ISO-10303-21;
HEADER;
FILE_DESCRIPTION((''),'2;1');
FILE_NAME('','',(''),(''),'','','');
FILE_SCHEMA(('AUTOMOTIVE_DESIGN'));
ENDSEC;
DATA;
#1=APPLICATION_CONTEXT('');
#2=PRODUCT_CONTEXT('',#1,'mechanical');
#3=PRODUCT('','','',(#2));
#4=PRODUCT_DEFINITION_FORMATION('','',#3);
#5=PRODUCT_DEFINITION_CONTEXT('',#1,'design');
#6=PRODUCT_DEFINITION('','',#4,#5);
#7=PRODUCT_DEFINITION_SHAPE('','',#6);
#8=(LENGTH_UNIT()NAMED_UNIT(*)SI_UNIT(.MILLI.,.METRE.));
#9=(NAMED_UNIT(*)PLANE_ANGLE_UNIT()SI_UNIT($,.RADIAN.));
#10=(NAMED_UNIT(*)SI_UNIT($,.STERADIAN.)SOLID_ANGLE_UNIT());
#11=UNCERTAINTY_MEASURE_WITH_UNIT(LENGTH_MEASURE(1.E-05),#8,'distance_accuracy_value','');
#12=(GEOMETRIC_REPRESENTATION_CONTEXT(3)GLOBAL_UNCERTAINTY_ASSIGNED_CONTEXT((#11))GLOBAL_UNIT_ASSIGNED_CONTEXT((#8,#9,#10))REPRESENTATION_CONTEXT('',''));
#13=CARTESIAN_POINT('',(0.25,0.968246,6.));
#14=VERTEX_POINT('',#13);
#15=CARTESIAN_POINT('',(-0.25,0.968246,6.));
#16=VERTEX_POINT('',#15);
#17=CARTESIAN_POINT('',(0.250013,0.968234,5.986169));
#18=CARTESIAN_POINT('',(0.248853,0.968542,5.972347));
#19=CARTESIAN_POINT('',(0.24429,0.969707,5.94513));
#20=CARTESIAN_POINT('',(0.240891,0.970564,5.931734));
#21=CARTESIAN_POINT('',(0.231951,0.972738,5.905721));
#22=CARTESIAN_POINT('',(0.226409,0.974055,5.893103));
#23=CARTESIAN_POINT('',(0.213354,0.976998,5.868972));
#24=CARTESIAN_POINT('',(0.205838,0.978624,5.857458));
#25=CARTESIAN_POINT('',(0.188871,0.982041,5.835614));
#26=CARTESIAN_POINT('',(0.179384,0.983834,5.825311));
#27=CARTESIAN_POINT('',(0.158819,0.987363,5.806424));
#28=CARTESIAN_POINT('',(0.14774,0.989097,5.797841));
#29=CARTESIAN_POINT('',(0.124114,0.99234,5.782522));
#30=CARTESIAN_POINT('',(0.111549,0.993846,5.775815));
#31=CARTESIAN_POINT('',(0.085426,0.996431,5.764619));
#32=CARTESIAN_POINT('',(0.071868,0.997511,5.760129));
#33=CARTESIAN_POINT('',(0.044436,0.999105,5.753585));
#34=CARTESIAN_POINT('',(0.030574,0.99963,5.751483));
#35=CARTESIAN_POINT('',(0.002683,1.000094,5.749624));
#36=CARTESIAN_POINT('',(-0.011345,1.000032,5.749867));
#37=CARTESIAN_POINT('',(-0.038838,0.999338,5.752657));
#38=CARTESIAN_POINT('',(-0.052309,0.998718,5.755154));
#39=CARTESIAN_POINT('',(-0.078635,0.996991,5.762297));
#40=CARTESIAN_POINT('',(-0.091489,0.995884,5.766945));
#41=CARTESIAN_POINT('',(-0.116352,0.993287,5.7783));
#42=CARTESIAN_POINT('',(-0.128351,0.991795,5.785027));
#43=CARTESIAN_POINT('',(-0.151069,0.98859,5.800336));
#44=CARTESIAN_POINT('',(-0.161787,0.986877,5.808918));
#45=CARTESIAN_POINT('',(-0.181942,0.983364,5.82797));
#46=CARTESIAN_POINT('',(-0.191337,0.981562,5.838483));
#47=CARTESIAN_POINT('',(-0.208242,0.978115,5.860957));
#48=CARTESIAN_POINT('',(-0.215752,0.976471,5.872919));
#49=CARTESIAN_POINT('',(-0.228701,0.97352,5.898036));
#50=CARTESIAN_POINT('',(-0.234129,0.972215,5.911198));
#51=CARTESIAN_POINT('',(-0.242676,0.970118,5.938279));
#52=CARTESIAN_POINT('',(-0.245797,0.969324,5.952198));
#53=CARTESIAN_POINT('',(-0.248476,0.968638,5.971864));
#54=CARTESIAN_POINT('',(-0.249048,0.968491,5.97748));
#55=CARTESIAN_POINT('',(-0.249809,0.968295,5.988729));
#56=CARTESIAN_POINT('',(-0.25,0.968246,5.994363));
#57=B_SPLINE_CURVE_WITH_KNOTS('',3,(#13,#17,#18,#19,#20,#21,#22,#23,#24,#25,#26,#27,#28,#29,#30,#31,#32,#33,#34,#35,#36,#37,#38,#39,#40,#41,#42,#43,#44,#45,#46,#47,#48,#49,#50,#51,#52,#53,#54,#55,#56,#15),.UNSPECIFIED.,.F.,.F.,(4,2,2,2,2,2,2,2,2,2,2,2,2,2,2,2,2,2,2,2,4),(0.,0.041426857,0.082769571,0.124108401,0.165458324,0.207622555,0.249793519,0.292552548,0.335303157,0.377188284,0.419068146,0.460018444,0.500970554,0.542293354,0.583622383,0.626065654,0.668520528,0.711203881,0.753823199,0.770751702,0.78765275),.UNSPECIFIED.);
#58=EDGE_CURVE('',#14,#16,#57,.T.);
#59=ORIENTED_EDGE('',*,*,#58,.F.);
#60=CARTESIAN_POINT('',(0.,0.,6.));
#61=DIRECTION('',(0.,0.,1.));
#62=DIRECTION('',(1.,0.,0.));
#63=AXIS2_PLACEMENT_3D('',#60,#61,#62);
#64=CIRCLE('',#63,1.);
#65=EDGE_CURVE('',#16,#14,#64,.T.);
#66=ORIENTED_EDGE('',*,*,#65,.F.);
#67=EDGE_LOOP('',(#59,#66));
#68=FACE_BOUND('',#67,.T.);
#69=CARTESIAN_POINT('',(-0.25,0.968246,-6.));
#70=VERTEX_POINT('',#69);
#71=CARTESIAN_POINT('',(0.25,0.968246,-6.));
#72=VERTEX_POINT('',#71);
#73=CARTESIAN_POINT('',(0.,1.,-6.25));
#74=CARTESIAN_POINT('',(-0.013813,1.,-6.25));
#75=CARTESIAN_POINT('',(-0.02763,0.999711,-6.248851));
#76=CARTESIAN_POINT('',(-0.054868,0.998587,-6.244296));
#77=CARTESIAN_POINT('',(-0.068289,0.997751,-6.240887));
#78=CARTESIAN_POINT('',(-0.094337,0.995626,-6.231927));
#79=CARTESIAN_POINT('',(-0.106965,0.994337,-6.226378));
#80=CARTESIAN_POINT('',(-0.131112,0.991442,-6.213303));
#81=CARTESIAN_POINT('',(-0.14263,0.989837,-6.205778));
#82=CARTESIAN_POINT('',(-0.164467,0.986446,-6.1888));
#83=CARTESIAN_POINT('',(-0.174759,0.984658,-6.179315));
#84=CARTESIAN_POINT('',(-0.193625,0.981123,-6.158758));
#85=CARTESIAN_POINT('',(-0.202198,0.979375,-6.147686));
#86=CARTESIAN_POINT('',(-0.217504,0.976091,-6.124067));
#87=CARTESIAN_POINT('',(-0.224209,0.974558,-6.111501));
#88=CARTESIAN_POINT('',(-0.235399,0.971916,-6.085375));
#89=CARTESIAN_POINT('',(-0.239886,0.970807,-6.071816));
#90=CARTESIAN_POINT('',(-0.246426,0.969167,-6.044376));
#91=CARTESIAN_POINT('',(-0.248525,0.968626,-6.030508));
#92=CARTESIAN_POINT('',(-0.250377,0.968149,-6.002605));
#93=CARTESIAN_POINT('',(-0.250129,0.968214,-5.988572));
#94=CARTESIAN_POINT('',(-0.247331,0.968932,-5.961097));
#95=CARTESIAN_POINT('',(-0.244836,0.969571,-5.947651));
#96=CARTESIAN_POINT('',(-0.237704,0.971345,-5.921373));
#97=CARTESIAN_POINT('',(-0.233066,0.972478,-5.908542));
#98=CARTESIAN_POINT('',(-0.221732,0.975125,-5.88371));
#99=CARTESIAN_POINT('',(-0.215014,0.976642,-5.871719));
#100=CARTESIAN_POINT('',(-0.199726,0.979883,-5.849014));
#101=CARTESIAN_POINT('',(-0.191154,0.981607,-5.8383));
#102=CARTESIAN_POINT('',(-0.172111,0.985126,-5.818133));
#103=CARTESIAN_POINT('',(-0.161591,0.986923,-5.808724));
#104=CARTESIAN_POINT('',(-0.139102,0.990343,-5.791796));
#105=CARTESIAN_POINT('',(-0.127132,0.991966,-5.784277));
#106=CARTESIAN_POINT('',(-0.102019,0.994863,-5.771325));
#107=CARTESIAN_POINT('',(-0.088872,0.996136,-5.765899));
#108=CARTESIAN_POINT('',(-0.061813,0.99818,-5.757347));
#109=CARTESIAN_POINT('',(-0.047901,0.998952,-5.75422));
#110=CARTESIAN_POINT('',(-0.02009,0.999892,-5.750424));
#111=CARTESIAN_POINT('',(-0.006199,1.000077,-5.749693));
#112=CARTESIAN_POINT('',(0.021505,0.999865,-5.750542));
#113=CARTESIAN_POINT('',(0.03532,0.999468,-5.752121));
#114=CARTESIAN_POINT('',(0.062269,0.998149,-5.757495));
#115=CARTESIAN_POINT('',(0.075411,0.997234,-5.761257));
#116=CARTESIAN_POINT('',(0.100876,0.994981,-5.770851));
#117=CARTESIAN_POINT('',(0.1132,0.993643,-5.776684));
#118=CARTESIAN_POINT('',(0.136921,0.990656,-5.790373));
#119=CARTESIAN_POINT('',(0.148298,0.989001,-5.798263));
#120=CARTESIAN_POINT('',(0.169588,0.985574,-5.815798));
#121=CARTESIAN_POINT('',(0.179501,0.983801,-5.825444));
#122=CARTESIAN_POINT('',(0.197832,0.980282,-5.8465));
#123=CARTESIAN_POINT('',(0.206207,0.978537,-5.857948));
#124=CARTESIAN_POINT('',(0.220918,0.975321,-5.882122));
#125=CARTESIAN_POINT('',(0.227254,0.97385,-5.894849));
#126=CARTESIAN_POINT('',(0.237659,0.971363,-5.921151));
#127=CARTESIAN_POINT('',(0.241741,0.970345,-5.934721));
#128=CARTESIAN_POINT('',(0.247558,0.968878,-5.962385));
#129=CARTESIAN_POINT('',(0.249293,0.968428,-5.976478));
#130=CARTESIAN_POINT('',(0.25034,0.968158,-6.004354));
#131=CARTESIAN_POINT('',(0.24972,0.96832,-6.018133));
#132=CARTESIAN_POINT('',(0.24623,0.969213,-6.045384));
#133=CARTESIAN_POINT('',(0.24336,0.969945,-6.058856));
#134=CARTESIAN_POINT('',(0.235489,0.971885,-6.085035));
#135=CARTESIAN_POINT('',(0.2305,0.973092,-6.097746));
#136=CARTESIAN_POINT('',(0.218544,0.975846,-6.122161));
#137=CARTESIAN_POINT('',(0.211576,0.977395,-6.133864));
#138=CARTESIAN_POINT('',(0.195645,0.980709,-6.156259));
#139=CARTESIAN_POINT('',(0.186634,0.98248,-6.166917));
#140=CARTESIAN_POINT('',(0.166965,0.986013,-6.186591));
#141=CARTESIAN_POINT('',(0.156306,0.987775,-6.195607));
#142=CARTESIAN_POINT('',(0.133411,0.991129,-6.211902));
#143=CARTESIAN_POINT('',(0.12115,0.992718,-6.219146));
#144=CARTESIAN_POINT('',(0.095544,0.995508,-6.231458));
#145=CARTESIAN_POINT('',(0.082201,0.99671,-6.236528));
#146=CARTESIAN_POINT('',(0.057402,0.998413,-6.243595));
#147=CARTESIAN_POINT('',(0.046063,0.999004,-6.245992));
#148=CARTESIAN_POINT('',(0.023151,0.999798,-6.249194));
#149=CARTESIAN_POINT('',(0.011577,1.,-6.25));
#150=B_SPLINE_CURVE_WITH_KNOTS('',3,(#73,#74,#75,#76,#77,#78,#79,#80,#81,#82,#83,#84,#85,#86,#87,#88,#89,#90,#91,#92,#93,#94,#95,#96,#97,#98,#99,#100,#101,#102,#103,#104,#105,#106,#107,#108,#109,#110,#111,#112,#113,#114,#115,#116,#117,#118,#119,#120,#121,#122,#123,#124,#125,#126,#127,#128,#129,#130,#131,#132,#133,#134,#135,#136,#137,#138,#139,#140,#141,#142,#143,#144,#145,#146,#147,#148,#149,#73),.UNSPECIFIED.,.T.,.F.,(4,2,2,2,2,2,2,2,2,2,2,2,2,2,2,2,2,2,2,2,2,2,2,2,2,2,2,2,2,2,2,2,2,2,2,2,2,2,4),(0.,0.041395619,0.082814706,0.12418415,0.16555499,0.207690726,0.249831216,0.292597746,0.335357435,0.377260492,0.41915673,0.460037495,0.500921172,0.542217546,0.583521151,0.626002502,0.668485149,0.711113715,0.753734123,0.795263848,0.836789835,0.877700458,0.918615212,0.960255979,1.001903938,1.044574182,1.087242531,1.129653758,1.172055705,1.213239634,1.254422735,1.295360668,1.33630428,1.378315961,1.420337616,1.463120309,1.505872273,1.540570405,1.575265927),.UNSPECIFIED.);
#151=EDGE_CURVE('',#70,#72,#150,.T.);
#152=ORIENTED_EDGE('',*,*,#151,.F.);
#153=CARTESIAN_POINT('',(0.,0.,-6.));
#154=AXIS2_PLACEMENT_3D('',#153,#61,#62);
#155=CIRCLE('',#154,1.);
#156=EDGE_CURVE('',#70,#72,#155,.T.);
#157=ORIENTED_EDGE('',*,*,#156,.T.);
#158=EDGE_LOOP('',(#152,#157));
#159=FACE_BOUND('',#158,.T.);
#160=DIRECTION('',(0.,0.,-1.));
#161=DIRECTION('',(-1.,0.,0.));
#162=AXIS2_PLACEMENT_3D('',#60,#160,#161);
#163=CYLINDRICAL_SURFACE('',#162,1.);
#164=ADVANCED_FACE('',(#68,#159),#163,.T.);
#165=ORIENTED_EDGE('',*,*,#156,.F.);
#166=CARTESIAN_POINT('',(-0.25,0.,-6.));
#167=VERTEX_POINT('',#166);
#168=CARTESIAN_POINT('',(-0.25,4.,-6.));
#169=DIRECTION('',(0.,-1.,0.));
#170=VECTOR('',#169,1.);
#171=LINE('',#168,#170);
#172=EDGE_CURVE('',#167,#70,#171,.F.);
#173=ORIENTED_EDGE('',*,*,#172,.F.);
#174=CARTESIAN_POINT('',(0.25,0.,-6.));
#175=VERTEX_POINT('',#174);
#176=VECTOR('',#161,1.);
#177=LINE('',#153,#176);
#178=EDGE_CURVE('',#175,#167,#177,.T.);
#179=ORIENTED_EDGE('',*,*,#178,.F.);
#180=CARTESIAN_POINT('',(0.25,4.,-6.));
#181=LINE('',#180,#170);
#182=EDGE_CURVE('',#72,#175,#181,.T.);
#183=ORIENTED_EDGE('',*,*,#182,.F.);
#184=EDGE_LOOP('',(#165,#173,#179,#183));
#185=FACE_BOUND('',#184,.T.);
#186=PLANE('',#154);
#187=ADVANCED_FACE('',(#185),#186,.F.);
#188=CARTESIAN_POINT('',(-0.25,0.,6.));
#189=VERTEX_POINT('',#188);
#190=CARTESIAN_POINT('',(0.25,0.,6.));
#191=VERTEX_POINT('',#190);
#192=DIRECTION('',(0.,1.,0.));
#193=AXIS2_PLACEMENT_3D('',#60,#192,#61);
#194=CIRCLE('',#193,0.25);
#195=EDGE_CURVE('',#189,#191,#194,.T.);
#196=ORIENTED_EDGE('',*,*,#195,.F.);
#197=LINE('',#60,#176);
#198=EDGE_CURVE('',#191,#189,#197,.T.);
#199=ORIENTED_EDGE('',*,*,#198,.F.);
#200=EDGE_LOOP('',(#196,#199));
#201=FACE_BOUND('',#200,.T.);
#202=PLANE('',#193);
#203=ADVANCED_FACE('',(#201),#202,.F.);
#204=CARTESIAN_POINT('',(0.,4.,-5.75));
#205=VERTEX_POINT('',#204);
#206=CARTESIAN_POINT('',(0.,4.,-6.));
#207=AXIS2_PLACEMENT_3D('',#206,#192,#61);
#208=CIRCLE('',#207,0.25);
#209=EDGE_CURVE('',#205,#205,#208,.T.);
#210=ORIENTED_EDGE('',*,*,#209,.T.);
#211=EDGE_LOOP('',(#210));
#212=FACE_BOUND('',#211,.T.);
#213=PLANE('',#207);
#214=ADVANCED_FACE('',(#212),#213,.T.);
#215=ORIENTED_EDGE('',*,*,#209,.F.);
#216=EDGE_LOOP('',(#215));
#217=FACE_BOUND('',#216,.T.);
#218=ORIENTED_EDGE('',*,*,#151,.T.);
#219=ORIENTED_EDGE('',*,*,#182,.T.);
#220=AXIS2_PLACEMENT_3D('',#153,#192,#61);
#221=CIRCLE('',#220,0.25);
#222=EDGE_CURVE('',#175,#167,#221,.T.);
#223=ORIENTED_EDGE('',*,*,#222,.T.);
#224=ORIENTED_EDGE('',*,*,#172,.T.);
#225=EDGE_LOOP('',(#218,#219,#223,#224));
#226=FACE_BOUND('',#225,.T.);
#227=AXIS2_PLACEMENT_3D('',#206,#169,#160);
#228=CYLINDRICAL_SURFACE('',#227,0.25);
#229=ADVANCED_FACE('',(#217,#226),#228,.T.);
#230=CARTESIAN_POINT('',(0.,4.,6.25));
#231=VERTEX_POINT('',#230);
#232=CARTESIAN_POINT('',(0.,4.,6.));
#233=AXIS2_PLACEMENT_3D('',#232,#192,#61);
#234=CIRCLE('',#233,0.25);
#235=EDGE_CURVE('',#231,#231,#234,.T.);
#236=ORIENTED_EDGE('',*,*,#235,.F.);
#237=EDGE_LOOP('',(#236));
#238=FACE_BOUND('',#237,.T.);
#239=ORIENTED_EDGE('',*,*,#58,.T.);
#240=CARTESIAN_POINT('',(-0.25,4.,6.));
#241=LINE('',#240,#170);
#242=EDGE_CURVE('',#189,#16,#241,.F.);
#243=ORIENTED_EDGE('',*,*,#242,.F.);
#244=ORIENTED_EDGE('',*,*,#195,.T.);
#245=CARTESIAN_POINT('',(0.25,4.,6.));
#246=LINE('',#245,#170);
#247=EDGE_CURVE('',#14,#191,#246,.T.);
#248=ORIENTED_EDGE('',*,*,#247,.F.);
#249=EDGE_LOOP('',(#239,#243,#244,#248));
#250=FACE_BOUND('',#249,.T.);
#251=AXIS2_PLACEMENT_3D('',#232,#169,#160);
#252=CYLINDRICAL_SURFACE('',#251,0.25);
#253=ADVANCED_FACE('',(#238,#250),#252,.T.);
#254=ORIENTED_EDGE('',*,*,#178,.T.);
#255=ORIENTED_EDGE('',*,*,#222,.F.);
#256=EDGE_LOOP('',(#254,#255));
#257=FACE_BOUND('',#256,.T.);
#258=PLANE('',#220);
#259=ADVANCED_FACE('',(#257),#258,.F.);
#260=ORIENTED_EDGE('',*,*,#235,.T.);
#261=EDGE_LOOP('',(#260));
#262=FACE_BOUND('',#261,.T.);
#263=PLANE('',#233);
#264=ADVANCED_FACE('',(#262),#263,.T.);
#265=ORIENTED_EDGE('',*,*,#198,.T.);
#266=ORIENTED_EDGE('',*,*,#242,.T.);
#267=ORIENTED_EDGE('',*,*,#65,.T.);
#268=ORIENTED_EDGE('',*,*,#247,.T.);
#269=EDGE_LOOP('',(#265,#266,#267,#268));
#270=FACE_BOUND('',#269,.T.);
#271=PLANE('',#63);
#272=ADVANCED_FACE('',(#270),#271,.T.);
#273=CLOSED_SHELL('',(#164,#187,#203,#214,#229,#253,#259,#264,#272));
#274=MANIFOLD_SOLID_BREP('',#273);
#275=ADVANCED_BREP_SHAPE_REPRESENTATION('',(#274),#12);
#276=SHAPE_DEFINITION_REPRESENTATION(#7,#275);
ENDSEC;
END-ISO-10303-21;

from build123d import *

# Parameters (mm, degrees)
SKETCH1_R           = 1
BOSS_EXTRUDE1_DEPTH = 6
SKETCH2_R           = 0.25
BOSS_EXTRUDE2_DEPTH = 4


with BuildPart() as part:
    # Sketch1 → Boss-Extrude1 (new body, symmetric)
    with BuildSketch(Plane.XY):
        Circle(SKETCH1_R)
    extrude(amount=BOSS_EXTRUDE1_DEPTH, both=True)

    # Sketch2 → Boss-Extrude2 (add)
    with BuildSketch(Plane(origin=(0, 0, 0), x_dir=(1, 0, 0), z_dir=(0, 1, 0))):
        with Locations((0, -6)):
            Circle(SKETCH2_R)
        with Locations((0, 6)):
            Circle(SKETCH2_R)
    extrude(amount=BOSS_EXTRUDE2_DEPTH)


solid = part.part
